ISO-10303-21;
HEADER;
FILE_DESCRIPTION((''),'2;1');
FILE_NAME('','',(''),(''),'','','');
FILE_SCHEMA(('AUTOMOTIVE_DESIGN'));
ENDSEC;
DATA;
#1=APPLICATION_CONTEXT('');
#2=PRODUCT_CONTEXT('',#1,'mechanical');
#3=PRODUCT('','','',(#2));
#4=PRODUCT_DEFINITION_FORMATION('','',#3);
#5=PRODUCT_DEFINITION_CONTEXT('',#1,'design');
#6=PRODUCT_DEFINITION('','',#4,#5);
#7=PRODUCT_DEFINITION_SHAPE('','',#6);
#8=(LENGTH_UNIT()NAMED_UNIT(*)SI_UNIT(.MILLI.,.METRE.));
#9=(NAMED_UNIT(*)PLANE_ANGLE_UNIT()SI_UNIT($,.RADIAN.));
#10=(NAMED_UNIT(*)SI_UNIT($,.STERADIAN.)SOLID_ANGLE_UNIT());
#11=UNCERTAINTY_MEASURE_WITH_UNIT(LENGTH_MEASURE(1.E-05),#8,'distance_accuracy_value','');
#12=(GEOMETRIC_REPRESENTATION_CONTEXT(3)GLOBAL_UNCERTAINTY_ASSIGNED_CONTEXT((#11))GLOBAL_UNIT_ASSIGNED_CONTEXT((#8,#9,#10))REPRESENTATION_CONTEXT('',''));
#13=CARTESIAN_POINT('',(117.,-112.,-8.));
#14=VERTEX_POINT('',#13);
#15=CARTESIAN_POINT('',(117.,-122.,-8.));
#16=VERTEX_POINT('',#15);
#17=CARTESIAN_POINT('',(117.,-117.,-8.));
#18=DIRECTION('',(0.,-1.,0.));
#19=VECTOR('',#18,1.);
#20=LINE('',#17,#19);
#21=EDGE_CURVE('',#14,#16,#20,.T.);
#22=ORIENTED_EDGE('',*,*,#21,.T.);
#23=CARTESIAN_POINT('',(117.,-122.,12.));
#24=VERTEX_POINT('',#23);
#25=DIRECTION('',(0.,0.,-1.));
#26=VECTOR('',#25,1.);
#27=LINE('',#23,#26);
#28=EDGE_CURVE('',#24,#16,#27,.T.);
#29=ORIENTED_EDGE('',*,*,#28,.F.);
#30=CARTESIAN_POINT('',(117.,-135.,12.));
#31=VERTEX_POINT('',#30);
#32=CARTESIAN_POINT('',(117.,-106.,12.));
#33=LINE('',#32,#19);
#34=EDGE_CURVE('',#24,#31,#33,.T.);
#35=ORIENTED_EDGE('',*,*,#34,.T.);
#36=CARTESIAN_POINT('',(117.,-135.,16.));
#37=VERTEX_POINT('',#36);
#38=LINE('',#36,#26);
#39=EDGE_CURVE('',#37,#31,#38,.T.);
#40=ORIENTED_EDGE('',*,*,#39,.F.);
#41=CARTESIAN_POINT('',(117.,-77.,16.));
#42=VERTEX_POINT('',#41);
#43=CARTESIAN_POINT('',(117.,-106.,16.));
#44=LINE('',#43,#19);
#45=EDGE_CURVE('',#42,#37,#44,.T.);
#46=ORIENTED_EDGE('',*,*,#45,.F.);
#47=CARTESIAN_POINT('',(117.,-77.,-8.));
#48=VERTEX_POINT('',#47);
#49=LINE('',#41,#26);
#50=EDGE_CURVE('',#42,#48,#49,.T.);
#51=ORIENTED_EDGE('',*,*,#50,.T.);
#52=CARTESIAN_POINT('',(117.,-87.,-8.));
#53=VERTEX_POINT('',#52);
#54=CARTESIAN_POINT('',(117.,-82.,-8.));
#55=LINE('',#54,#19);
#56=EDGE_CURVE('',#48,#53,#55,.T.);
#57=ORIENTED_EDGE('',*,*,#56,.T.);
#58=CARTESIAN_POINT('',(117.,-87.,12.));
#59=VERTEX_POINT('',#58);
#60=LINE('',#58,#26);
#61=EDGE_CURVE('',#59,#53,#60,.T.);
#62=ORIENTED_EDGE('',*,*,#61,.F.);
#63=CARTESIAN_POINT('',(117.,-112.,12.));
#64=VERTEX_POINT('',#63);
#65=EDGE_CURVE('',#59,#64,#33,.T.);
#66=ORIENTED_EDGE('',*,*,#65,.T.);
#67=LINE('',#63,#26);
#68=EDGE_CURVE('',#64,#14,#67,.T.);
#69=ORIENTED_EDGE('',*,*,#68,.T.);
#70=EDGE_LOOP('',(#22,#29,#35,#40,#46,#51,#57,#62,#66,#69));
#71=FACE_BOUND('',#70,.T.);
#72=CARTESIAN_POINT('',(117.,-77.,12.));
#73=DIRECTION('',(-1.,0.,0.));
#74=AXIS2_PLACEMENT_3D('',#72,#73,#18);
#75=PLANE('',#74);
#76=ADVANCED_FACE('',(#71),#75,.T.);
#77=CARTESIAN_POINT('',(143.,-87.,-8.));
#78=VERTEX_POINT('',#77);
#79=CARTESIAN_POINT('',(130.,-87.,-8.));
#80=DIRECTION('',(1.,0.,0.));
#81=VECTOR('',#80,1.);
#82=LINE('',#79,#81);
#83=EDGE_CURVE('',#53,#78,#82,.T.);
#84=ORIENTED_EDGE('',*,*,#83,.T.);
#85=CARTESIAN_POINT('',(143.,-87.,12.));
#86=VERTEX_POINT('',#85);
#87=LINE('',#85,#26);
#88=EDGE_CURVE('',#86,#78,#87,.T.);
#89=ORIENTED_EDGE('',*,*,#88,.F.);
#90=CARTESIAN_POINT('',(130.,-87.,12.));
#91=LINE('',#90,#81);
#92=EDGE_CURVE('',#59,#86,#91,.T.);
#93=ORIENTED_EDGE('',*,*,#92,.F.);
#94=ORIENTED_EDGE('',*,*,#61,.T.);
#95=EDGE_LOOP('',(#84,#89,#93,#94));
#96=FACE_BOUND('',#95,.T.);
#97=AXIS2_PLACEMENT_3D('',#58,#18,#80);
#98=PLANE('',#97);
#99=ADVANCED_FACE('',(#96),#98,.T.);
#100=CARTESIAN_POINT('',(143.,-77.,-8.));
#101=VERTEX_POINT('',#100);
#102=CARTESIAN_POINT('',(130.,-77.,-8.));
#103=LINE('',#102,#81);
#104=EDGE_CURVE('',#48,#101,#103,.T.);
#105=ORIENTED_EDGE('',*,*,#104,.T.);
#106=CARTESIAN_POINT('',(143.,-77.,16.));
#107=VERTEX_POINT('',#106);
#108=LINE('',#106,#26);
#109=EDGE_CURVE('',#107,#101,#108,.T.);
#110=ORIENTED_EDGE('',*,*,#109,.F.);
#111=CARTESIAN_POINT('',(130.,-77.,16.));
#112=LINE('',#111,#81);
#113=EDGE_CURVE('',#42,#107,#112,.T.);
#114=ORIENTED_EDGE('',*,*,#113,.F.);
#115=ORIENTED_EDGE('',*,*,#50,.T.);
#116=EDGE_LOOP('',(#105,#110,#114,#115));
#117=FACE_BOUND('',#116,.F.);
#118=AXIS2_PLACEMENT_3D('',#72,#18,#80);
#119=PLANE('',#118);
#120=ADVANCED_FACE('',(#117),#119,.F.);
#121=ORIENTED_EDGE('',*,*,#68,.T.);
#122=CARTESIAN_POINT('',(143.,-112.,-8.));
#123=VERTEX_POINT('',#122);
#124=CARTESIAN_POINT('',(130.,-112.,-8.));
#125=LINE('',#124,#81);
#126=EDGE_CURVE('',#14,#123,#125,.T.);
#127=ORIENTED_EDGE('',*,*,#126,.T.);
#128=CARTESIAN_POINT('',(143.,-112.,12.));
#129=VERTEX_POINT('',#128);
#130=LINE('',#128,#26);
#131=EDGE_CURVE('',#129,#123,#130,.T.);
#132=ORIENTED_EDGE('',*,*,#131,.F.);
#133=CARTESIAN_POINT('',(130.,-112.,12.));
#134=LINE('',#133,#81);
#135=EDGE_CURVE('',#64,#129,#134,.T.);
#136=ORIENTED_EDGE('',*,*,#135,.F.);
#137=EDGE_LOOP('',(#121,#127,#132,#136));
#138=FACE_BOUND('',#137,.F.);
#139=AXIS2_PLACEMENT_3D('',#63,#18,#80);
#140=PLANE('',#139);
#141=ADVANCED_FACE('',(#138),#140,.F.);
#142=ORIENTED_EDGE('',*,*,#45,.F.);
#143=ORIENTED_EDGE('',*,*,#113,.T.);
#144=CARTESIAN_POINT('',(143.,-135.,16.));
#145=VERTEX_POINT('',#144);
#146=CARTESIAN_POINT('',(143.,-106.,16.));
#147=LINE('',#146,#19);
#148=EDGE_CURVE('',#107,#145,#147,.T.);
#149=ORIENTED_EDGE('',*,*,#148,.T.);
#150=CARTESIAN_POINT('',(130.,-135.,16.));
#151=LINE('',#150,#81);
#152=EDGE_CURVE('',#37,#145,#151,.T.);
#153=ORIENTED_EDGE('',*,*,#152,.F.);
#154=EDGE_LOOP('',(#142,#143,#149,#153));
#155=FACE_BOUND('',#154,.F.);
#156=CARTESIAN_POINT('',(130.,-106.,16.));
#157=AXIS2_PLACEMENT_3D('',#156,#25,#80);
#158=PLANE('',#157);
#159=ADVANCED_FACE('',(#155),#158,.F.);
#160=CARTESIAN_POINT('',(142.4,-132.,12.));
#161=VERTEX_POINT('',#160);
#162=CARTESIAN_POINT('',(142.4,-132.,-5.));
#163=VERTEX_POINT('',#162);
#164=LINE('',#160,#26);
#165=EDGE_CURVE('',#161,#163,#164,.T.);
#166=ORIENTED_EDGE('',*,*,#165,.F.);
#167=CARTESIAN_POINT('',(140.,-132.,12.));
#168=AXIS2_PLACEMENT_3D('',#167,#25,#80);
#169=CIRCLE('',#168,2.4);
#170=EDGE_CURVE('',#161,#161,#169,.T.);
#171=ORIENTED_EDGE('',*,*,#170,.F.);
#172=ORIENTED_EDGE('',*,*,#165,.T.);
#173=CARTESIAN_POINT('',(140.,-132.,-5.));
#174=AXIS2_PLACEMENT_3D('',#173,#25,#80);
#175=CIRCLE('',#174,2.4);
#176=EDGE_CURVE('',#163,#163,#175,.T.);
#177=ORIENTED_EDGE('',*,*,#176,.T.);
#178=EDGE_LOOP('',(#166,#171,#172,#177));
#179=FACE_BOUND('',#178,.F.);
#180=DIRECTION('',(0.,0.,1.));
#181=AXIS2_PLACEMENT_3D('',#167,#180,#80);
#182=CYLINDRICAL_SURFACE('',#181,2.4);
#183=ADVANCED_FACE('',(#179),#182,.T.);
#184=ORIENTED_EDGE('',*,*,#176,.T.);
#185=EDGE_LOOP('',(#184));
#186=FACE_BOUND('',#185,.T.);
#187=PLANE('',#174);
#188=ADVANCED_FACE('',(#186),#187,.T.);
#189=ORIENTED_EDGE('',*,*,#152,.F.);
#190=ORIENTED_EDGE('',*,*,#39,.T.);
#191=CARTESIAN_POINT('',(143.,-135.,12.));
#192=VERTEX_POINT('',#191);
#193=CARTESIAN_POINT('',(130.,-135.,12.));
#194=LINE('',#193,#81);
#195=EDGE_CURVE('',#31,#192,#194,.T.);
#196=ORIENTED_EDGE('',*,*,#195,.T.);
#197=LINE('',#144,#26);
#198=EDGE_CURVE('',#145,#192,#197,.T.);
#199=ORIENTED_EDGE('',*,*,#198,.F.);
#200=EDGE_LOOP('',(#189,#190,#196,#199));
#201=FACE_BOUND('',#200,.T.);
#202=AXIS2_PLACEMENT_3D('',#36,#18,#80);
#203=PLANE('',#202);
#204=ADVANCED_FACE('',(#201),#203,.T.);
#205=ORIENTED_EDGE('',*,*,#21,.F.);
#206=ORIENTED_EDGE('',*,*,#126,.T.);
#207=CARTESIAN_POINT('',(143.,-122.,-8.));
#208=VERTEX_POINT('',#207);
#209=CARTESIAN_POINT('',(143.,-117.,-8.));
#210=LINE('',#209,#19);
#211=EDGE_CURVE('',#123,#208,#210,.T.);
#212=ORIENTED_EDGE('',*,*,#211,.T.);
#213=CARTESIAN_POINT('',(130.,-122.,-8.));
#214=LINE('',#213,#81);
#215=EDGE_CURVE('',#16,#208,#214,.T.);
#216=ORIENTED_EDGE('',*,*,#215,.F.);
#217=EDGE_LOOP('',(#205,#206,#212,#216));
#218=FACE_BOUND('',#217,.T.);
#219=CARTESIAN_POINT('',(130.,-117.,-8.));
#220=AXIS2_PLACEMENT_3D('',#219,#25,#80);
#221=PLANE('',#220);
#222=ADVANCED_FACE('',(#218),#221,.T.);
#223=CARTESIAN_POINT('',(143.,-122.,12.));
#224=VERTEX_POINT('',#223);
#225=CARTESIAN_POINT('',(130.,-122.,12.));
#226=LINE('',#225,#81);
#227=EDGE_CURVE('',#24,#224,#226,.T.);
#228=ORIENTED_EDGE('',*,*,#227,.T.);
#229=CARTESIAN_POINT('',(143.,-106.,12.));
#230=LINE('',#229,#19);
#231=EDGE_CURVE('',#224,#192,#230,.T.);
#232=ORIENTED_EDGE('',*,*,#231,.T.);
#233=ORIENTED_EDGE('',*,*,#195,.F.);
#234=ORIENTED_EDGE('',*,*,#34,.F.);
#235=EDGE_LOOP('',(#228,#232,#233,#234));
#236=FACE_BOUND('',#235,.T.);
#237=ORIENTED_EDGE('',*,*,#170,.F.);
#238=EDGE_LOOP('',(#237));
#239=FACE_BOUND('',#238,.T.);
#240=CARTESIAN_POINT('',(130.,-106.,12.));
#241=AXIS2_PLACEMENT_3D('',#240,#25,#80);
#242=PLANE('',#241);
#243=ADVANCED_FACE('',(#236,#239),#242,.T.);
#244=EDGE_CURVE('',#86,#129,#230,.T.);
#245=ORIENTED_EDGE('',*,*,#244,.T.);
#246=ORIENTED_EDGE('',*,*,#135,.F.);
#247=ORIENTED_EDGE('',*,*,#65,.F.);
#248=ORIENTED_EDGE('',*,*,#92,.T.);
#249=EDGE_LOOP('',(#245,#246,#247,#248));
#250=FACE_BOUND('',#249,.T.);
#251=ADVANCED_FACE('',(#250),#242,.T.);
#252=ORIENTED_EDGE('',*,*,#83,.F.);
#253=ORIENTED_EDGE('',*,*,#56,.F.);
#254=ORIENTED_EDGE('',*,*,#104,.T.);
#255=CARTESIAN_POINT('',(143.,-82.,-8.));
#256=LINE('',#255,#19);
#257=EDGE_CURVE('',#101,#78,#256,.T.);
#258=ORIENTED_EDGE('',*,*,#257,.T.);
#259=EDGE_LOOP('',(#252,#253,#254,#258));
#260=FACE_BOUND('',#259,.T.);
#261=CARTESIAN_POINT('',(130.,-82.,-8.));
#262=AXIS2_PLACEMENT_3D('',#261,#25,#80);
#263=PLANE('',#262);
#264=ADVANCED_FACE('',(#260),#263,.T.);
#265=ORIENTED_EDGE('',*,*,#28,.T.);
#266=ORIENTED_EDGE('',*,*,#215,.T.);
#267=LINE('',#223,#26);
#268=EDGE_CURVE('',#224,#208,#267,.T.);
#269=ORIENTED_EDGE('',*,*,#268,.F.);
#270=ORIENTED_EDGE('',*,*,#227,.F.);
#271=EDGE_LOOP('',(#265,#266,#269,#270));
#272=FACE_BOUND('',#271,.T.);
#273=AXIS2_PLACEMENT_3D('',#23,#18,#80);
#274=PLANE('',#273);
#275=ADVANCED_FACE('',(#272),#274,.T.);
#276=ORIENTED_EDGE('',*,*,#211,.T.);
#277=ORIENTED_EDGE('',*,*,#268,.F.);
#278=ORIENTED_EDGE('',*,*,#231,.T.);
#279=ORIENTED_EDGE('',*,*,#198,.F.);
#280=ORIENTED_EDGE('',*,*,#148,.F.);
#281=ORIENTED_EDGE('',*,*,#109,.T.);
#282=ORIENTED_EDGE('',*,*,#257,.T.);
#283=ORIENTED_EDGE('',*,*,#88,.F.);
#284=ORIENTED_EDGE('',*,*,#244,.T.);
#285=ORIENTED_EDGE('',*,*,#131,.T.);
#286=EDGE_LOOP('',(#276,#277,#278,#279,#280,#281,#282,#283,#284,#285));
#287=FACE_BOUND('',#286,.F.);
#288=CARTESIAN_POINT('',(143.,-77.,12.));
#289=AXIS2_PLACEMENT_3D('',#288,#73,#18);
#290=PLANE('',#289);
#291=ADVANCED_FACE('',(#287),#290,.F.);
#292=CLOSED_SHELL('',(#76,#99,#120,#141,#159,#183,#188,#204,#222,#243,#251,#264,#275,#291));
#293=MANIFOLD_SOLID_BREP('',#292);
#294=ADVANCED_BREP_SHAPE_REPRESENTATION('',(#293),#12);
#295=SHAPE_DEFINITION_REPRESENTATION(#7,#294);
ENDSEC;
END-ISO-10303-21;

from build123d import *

# Parameters (mm, degrees)
SKETCH082_W  = 26
SKETCH082_H  = 58
PAD036_DEPTH = 4
SKETCH083_W  = 26
SKETCH083_H  = 10
PAD037_DEPTH = 20
SKETCH084_R  = 2.4
PAD038_DEPTH = 17


with BuildPart() as part:
    # Sketch082 → Pad036 (new body)
    with BuildSketch(Plane(origin=(125, -105, 16), x_dir=(1, 0, 0), z_dir=(0, 0, -1))):
        with Locations((5, 1)):
            Rectangle(SKETCH082_W, SKETCH082_H)
    extrude(amount=PAD036_DEPTH)

    # Sketch083 → Pad037 (new body)
    with BuildSketch(Plane(origin=(125, -105, 12), x_dir=(1, 0, 0), z_dir=(0, 0, -1))):
        with Locations((5, 12)):
            Rectangle(SKETCH083_W, SKETCH083_H)
        with Locations((5, -23)):
            Rectangle(SKETCH083_W, SKETCH083_H)
    extrude(amount=PAD037_DEPTH)

    # Sketch084 → Pad038 (new body)
    with BuildSketch(Plane(origin=(125, -105, 12), x_dir=(1, 0, 0), z_dir=(0, 0, -1))):
        with Locations((15, 27)):
            Circle(SKETCH084_R)
    extrude(amount=PAD038_DEPTH)


solid = part.part
